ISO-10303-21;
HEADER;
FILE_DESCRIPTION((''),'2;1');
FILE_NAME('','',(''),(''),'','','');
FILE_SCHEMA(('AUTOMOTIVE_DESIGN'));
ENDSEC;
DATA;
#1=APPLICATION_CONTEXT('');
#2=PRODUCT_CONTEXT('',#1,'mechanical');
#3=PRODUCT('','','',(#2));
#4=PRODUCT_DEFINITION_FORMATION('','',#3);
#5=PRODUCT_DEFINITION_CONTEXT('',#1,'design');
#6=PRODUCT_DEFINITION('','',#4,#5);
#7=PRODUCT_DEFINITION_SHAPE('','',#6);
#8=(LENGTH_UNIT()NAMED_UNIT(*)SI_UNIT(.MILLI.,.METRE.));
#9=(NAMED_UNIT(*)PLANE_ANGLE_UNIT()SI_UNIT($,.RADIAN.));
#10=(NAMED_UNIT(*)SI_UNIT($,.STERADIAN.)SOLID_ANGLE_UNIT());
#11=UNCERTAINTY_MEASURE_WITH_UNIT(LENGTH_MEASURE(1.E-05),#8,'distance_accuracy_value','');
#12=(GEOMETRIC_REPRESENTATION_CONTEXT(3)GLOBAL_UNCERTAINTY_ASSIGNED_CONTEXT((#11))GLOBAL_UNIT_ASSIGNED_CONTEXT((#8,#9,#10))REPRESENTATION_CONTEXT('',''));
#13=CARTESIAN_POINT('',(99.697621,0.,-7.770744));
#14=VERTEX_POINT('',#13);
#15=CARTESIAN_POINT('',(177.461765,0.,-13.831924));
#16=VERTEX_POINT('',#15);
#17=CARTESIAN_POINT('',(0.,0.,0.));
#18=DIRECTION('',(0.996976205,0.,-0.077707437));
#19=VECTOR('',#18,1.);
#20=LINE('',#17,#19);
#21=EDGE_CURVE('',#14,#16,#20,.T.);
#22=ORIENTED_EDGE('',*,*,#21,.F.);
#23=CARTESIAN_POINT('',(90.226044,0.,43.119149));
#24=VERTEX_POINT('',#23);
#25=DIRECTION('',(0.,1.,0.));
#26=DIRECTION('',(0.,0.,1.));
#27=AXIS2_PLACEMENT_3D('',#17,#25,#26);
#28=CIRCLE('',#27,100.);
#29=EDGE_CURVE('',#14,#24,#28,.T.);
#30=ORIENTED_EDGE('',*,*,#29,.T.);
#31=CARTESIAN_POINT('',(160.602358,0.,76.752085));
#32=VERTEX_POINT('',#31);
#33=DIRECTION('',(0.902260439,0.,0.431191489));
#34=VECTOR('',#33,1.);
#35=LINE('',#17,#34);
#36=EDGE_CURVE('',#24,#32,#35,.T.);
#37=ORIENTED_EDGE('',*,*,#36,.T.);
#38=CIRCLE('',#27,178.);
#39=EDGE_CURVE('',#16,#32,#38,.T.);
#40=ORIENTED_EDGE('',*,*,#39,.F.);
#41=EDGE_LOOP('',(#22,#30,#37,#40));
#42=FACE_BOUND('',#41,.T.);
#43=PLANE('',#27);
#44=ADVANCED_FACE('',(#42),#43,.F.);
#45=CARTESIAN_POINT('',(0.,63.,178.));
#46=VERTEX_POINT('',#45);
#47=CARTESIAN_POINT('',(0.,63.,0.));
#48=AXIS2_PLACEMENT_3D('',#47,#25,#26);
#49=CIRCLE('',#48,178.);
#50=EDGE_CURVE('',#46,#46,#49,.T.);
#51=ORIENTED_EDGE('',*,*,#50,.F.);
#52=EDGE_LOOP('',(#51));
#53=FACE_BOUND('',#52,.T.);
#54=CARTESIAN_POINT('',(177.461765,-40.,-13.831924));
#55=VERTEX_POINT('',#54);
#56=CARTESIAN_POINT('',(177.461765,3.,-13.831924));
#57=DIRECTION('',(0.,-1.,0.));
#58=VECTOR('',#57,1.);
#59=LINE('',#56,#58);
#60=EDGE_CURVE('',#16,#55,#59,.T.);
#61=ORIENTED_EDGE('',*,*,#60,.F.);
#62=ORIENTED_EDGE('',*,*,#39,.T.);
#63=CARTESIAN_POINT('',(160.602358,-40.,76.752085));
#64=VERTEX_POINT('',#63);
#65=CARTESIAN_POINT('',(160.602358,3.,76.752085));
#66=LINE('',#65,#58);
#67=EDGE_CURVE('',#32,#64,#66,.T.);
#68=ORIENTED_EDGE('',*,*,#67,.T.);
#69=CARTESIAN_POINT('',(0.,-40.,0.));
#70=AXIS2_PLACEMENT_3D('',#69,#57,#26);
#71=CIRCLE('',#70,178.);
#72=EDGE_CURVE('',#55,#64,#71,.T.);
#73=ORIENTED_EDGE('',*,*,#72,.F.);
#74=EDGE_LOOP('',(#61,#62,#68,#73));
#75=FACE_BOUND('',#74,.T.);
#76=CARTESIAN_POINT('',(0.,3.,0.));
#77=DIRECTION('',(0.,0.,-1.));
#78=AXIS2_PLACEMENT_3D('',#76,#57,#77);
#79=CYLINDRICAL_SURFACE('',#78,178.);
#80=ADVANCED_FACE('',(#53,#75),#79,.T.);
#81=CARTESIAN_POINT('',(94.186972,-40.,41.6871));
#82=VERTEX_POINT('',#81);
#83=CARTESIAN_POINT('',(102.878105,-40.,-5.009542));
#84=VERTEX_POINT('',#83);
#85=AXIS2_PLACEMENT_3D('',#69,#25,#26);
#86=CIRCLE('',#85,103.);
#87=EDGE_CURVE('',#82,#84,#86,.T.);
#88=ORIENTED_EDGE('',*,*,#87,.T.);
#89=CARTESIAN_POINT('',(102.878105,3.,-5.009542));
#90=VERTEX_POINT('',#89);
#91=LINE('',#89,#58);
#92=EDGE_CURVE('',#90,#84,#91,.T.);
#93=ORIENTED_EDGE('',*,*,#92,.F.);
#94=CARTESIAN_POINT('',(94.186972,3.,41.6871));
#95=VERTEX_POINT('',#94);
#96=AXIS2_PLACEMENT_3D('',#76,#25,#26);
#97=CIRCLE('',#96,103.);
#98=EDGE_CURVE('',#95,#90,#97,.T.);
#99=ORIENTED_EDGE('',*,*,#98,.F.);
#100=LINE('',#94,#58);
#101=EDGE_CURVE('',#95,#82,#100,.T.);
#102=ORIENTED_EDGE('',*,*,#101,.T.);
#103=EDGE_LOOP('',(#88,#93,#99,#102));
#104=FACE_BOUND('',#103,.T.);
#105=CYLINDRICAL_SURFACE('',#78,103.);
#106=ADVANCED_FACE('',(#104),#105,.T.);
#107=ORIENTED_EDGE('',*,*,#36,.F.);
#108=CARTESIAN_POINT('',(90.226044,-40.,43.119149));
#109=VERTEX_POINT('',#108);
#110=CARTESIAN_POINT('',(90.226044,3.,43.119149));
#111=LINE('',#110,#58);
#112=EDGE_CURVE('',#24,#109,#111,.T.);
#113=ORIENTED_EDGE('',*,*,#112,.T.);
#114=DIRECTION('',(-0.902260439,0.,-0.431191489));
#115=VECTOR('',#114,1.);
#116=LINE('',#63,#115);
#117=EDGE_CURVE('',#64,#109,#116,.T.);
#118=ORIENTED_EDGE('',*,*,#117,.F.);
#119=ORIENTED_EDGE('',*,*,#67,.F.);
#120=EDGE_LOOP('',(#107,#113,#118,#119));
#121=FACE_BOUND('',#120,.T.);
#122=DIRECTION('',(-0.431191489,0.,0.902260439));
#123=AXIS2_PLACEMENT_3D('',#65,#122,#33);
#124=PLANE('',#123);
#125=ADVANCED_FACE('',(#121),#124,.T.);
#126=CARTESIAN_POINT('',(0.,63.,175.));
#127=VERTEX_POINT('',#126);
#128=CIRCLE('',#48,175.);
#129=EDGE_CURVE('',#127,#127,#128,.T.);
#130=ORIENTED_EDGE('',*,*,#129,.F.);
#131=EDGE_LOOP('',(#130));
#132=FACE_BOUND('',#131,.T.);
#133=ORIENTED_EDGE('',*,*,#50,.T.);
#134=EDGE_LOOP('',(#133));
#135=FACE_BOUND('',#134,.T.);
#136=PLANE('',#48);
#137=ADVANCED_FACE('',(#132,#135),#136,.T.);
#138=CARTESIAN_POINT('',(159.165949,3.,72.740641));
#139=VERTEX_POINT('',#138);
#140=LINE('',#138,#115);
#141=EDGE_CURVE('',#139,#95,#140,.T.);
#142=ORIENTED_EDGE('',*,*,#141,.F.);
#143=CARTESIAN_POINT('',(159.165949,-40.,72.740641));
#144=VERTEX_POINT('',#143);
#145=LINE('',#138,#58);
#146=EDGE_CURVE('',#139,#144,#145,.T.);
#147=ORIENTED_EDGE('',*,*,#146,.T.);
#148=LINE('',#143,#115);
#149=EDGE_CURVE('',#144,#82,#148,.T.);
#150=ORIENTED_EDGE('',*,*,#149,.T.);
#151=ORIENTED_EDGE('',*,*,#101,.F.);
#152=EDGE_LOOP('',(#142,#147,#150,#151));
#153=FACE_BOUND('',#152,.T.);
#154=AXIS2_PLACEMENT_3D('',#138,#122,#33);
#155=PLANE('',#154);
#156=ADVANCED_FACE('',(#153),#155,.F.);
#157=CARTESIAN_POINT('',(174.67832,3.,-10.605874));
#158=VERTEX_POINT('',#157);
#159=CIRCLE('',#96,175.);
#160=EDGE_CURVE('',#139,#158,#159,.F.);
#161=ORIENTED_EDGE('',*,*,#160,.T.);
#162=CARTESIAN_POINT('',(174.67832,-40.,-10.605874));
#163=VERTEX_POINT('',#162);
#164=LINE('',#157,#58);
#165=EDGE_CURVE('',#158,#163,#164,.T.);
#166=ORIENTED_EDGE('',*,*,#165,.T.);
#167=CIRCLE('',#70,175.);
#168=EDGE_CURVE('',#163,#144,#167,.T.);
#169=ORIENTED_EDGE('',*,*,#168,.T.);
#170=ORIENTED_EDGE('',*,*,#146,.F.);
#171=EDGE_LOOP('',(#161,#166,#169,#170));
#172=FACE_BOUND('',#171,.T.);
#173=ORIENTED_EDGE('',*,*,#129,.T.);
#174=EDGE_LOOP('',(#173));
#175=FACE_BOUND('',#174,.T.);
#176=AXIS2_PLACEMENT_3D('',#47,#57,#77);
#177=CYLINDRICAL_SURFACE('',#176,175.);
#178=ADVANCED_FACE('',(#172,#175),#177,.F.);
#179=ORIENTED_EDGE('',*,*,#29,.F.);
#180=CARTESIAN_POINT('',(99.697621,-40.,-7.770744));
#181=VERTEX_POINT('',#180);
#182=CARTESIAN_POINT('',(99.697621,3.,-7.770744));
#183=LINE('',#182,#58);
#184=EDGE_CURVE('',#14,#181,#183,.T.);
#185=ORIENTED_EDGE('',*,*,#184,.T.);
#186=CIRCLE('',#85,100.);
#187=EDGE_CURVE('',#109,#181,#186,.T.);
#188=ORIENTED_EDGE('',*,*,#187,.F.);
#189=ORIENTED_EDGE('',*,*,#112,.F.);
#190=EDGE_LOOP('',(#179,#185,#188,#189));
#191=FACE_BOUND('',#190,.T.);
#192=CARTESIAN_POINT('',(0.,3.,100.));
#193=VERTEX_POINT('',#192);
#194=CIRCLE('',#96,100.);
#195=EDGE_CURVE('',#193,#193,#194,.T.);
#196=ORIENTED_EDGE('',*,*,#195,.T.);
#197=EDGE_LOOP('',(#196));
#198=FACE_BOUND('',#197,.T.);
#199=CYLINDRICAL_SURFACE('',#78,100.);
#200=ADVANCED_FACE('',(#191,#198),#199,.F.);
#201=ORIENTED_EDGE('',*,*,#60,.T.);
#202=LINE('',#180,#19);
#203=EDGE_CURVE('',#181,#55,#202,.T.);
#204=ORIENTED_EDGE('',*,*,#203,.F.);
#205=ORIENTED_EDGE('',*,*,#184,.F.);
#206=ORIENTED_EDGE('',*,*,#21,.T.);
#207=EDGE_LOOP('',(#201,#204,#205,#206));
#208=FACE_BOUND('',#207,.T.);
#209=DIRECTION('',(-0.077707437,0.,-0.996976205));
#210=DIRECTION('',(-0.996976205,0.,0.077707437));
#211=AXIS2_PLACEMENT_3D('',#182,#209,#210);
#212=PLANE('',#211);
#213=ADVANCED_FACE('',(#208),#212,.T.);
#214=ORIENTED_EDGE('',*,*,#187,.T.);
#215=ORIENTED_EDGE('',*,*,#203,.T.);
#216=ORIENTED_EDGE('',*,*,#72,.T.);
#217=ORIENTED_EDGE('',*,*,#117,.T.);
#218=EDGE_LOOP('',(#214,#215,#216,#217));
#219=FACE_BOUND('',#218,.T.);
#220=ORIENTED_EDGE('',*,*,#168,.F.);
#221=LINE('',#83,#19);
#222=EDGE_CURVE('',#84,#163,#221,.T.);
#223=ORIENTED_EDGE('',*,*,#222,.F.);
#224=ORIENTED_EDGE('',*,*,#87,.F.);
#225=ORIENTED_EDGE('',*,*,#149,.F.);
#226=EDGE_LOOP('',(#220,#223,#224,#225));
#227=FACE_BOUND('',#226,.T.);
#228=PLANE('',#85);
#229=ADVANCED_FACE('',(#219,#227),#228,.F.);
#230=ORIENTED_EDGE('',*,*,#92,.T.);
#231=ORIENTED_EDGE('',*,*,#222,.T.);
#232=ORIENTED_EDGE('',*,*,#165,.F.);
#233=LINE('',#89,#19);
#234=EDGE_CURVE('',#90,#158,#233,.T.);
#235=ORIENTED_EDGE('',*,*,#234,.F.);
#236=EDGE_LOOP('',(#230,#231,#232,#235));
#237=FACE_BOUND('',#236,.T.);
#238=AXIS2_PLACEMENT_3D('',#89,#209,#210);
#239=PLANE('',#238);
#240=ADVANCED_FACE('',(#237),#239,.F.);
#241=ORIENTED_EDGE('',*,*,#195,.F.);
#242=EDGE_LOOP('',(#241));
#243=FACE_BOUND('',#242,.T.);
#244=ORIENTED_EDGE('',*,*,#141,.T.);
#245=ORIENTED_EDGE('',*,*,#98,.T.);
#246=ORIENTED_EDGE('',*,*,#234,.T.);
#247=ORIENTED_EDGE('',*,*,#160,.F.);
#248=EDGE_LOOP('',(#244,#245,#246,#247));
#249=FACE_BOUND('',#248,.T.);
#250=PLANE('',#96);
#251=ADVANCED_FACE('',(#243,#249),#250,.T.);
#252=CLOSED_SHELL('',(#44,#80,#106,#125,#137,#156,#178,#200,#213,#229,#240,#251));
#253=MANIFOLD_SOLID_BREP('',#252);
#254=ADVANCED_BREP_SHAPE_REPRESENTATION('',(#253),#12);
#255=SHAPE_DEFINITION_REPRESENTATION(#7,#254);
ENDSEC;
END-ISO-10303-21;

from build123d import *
from build123d.topology import SkipClean

# Parameters (mm, degrees)
SKETCH2_R                 = 178
SKETCH2_R_2               = 100
BOSS_EXTRUDE1_DEPTH       = 3
SKETCH3_R                 = 178
SKETCH3_R_2               = 175
BOSS_EXTRUDE2_DEPTH       = 60
CUT_EXTRUDE2_START        = -25
CUT_EXTRUDE2_DEPTH        = 25
BOSS_EXTRUDE17_DEPTH      = 40
BOSS_EXTRUDE17_DEPTH_BACK = 3


with BuildPart() as part:
    # Sketch2 → Boss-Extrude1 (new body)
    with BuildSketch(Plane(origin=(0, 0, 0), x_dir=(1, 0, 0), z_dir=(0, 1, 0))):
        Circle(SKETCH2_R)
        Circle(SKETCH2_R_2, mode=Mode.SUBTRACT)
    extrude(amount=BOSS_EXTRUDE1_DEPTH)

    # Sketch3 → Boss-Extrude2 (add)
    with BuildSketch(Plane(origin=(0, 3, 0), x_dir=(1, 0, 0), z_dir=(0, 1, 0))):
        Circle(SKETCH3_R)
        Circle(SKETCH3_R_2, mode=Mode.SUBTRACT)
    extrude(amount=BOSS_EXTRUDE2_DEPTH)

    # Sketch5 → Cut-Extrude2 (cut)
    with BuildSketch(Plane(origin=(0, 3, 0), x_dir=(1, 0, 0), z_dir=(0, 1, 0)).offset(CUT_EXTRUDE2_START)):
        with BuildLine():
            Line((174.470835958, 13.59880142), (99.697620548, 7.770743669))
            ThreePointArc((99.697620548, 7.770743669), (99.924376542, 3.888312311), (100, 0))
            ThreePointArc((100, 0), (97.525905257, -22.106510438), (90.226043925, -43.11914885))
            Line((90.226043925, -43.11914885), (157.895576869, -75.458510488))
            ThreePointArc((157.895576869, -75.458510488), (170.6703342, -38.686393266), (175, 0))
            ThreePointArc((175, 0), (174.867658949, 6.804546543), (174.470835958, 13.59880142))
        make_face()
    extrude(amount=CUT_EXTRUDE2_DEPTH, mode=Mode.SUBTRACT)

    # Sketch16 → Boss-Extrude17 (add, two sides: drawn at the far end of the back side and taken through both)
    with SkipClean():  # the faces are left unmerged after this step: merging them gives an invalid solid
        with BuildSketch(Plane.XZ.offset(-BOSS_EXTRUDE17_DEPTH_BACK)):
            with BuildLine():
                Line((160.602358187, 76.752084954), (90.226043925, 43.11914885))
                ThreePointArc((90.226043925, 43.11914885), (98.311722962, 18.29768095), (99.697620548, -7.770743669))
                Line((99.697620548, -7.770743669), (177.461764575, -13.83192373))
                ThreePointArc((177.461764575, -13.83192373), (174.994866873, 32.569872091), (160.602358187, 76.752084954))
            make_face()
            with BuildLine():
                Line((159.165948647, 72.740640575), (94.186972199, 41.687099538))
                ThreePointArc((94.186972199, 41.687099538), (101.261074651, 18.846611379), (102.878105019, -5.009541657))
                Line((102.878105019, -5.009541657), (174.678319853, -10.605874466))
                ThreePointArc((174.678319853, -10.605874466), (172.045515184, 32.020941663), (159.165948647, 72.740640575))
            make_face(mode=Mode.SUBTRACT)
        extrude(amount=BOSS_EXTRUDE17_DEPTH + BOSS_EXTRUDE17_DEPTH_BACK)


solid = part.part
